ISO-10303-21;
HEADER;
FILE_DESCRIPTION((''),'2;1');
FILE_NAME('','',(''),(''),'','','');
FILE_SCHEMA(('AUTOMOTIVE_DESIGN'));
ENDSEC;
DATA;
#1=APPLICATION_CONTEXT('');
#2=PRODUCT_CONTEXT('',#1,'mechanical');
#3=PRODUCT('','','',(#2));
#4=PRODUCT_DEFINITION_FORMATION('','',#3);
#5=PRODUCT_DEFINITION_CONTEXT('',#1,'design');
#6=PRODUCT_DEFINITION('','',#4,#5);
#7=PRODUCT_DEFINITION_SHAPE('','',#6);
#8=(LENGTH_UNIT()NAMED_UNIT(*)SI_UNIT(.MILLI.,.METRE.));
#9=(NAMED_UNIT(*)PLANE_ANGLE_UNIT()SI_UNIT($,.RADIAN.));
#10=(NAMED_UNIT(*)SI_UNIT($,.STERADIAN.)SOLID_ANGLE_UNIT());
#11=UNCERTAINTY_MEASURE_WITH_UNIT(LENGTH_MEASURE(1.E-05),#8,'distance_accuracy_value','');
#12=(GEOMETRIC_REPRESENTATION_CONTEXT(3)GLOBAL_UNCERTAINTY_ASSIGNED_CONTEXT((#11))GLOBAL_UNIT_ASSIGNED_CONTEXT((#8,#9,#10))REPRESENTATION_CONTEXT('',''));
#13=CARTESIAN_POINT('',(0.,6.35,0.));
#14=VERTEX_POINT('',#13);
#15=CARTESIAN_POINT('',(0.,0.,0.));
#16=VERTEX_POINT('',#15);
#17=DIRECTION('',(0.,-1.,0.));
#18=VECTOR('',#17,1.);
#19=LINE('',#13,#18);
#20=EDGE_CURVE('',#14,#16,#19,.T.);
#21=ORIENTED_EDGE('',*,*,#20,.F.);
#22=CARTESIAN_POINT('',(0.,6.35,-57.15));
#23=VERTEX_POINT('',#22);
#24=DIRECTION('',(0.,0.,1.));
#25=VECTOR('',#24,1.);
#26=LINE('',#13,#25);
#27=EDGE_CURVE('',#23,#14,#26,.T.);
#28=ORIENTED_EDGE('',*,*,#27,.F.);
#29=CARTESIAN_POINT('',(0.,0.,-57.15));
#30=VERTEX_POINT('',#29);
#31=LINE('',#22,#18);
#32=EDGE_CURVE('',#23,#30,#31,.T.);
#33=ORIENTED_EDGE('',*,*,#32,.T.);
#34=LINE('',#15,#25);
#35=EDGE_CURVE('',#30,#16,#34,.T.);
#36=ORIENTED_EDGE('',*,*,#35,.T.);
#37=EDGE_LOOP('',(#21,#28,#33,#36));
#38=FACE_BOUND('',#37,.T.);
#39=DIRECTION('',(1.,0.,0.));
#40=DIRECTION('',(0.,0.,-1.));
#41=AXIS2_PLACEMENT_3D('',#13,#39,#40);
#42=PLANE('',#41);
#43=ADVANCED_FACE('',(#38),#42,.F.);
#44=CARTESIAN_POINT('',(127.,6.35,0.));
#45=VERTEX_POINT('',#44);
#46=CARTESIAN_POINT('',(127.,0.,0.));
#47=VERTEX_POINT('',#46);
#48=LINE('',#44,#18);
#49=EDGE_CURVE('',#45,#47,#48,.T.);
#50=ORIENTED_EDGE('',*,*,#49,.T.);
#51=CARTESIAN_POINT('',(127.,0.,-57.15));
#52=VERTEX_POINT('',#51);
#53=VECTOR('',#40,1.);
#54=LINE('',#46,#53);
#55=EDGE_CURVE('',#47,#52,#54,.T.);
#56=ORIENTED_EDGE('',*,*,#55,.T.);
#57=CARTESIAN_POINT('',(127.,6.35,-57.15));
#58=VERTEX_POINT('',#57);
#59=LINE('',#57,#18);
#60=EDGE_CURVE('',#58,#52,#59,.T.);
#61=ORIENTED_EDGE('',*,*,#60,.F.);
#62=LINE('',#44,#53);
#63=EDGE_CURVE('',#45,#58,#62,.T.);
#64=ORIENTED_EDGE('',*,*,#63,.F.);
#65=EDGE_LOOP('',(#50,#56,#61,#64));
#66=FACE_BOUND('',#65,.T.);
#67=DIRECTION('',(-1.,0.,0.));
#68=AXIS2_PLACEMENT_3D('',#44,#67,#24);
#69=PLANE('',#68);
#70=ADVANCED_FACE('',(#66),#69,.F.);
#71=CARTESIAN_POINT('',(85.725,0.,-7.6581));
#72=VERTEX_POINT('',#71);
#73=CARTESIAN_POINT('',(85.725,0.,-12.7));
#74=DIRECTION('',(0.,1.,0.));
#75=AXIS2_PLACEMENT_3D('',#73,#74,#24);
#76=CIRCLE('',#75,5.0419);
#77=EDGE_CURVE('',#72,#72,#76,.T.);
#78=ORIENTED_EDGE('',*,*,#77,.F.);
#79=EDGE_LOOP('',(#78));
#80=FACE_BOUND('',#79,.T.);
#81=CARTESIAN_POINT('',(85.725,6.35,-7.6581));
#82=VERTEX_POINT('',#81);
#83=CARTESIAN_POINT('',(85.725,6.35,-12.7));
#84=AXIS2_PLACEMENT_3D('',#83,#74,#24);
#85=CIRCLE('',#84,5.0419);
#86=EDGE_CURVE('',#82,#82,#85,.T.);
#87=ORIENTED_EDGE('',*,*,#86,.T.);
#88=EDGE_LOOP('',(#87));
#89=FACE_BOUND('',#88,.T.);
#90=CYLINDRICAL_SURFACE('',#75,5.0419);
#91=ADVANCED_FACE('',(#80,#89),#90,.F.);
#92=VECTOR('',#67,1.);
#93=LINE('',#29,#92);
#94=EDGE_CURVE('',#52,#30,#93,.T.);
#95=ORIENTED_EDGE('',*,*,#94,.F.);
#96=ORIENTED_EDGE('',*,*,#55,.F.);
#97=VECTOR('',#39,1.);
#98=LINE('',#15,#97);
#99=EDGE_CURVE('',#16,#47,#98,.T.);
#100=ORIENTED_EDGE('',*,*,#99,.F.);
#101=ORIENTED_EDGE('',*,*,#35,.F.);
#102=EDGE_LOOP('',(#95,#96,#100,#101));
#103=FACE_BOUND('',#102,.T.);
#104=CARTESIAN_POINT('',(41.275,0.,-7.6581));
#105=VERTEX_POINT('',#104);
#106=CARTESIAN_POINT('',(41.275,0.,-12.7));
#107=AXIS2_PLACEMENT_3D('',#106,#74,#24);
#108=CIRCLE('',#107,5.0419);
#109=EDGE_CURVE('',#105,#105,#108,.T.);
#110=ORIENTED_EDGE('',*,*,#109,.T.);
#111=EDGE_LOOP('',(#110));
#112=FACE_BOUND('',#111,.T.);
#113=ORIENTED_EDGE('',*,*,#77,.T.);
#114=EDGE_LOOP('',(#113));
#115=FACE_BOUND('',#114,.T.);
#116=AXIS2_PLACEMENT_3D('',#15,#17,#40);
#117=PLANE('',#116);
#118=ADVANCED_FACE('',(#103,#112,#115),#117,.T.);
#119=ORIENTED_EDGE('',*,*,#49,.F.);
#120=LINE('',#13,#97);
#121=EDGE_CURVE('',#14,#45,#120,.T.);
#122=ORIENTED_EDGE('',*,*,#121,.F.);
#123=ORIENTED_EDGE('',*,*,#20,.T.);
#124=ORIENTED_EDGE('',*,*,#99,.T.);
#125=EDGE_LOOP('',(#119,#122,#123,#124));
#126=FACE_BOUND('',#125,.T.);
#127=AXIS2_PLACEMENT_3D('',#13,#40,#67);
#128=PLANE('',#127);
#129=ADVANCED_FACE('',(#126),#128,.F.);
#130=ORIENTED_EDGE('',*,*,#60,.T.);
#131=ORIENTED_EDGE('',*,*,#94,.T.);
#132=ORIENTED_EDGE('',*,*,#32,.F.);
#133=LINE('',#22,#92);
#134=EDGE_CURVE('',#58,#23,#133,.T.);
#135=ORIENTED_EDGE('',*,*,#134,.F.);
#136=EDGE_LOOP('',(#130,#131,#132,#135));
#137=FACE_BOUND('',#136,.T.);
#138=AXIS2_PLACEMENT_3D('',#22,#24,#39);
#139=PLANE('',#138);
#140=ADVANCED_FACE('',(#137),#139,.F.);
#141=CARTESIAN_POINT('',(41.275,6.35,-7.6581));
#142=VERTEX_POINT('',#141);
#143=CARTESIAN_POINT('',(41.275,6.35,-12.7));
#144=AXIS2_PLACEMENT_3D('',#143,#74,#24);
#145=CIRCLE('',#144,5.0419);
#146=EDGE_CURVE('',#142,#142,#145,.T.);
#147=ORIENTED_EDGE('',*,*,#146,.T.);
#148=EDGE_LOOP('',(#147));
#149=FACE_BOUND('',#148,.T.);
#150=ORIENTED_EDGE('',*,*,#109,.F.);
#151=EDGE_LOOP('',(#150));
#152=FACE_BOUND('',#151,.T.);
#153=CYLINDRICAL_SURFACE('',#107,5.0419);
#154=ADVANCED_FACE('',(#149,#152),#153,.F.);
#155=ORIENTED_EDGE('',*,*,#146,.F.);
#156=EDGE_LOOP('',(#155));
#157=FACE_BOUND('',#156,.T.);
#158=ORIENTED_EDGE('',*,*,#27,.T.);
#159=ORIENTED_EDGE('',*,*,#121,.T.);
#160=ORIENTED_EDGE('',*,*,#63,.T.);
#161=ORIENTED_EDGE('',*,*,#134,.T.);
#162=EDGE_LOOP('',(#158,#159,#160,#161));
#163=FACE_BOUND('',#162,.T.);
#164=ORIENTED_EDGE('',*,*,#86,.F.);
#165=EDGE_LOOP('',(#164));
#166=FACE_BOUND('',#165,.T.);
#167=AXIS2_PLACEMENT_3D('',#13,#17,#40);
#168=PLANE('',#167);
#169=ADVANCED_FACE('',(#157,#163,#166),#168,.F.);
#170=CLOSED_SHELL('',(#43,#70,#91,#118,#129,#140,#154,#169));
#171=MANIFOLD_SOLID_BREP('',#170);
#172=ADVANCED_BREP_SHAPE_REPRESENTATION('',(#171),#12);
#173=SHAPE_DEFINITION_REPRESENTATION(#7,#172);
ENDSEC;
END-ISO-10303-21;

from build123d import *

# Parameters (mm, degrees)
SKETCH1_W           = 127
SKETCH1_H           = 57.15
BOSS_EXTRUDE1_DEPTH = 6.35
SKETCH2_R           = 5.0419
CUT_EXTRUDE1_DEPTH  = 7.35


with BuildPart() as part:
    # Sketch1 → Boss-Extrude1 (new body)
    with BuildSketch(Plane(origin=(0, 0, 0), x_dir=(1, 0, 0), z_dir=(0, 1, 0))):
        with Locations((63.5, 28.575)):
            Rectangle(SKETCH1_W, SKETCH1_H)
    extrude(amount=BOSS_EXTRUDE1_DEPTH)

    # Sketch2 → Cut-Extrude1 (cut, through all)
    with BuildSketch(Plane(origin=(0, 6.35, 0), x_dir=(1, 0, 0), z_dir=(0, 1, 0))):
        with Locations((41.275, 12.7)):
            Circle(SKETCH2_R)
        with Locations((85.725, 12.7)):
            Circle(SKETCH2_R)
    extrude(amount=-CUT_EXTRUDE1_DEPTH, mode=Mode.SUBTRACT)


solid = part.part
